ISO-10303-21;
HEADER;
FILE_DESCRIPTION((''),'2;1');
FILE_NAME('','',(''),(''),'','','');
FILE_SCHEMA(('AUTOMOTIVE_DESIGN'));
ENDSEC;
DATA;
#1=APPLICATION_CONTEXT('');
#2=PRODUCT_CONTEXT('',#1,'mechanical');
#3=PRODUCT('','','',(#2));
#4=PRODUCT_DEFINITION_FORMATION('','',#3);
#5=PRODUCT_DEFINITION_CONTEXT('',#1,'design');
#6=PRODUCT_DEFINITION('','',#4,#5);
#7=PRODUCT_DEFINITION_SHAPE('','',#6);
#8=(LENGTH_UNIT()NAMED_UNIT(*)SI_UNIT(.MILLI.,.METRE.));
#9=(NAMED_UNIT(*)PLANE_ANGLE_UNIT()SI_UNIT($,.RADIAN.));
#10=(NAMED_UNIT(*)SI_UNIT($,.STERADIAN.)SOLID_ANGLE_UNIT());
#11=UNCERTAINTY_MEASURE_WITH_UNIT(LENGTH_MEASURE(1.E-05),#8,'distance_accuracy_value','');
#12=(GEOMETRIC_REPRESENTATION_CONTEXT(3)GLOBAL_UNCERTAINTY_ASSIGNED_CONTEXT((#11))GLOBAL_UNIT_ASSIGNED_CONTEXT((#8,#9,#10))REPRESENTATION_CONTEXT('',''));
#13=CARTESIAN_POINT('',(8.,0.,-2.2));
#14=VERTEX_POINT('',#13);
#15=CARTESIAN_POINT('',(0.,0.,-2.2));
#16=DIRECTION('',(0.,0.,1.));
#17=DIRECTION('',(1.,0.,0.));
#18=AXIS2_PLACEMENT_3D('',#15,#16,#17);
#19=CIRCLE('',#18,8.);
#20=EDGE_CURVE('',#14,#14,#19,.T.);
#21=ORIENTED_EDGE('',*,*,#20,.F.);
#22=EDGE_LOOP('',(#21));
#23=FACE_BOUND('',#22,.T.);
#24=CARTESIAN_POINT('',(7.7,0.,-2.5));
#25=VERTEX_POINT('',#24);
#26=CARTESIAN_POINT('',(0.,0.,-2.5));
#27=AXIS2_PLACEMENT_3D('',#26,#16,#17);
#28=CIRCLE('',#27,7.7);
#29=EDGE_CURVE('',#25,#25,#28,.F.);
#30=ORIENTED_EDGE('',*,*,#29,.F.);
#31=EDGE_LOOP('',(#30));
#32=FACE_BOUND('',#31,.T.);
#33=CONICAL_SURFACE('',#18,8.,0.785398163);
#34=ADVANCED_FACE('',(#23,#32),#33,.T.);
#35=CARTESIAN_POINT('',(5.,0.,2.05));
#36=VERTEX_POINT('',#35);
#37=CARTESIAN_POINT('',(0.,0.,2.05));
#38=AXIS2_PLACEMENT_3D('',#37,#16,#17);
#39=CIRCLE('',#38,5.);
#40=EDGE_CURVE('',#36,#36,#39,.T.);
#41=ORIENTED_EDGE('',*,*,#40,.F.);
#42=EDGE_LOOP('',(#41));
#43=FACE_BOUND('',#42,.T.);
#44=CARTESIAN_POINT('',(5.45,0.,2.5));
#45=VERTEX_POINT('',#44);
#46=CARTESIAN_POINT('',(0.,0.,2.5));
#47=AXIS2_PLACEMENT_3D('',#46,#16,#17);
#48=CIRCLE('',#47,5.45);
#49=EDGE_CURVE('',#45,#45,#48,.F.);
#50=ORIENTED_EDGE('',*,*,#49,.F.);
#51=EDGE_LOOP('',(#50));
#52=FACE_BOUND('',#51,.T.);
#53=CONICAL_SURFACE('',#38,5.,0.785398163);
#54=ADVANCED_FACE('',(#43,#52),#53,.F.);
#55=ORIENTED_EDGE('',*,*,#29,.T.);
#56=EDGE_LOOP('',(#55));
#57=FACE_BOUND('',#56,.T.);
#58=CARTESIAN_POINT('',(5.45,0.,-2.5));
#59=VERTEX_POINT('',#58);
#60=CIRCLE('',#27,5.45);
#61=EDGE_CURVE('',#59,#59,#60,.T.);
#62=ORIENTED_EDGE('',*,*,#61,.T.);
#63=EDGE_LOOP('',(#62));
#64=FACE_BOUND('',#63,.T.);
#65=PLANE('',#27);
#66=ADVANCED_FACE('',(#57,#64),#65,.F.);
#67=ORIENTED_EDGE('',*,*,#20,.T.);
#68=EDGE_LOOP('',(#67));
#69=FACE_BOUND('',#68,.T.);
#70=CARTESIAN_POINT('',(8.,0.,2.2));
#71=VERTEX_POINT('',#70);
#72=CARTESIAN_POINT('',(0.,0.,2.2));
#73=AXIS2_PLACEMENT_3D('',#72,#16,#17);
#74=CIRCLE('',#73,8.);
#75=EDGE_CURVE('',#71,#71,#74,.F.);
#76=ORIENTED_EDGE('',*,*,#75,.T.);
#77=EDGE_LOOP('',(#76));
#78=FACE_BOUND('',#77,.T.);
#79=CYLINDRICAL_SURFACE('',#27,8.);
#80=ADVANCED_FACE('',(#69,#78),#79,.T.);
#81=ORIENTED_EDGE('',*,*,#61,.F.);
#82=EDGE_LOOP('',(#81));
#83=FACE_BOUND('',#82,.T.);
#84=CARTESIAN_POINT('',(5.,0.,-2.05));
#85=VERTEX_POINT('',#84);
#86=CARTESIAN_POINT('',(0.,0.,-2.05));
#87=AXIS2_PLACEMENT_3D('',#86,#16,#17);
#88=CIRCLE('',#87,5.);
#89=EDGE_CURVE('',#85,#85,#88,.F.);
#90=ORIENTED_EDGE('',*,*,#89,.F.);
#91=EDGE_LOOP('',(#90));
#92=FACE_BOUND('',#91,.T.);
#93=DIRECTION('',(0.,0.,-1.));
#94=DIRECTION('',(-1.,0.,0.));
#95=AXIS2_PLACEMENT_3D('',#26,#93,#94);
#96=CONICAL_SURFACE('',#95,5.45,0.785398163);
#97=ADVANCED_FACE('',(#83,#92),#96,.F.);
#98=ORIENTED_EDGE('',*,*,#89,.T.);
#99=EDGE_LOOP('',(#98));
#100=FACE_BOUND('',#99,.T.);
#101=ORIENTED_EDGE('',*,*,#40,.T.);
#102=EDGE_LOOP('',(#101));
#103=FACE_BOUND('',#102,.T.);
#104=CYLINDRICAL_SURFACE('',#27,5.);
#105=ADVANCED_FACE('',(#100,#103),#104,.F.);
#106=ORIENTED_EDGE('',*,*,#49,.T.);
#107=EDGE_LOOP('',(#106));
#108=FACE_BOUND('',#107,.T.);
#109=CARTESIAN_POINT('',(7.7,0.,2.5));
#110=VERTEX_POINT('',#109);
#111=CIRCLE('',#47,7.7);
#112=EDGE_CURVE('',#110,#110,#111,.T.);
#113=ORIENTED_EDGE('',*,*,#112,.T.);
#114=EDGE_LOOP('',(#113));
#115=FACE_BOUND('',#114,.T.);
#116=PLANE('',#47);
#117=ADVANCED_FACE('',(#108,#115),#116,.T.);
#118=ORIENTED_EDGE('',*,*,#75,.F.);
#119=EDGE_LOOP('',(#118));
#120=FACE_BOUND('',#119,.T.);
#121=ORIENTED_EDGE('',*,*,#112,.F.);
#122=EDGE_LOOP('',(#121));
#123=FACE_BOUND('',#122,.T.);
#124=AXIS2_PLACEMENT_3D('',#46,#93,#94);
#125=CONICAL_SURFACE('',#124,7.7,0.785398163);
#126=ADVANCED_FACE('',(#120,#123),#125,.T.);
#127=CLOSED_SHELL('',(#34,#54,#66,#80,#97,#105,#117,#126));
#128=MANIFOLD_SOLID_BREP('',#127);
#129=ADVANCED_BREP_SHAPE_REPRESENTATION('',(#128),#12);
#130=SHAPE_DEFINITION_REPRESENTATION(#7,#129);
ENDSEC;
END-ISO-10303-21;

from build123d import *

# Parameters (mm, degrees)
BOSS_EXTRUDE1_DEPTH      = 2.5
BOSS_EXTRUDE1_DEPTH_BACK = 2.5
SKETCH3_R                = 8
SKETCH3_R_2              = 5
CHAMFER1_SIZE            = 0.3
CHAMFER2_SIZE            = 0.45


with BuildPart() as part:
    # Sketch3 → Boss-Extrude1 (new, two sides: drawn at the far end of the back side and taken through both)
    with BuildSketch(Plane.XY.offset(-BOSS_EXTRUDE1_DEPTH_BACK)):
        Circle(SKETCH3_R)
        Circle(SKETCH3_R_2, mode=Mode.SUBTRACT)
    extrude(amount=BOSS_EXTRUDE1_DEPTH + BOSS_EXTRUDE1_DEPTH_BACK)

    # Chamfer1
    chamfer1_edges = [part.edges().sort_by_distance(p)[0] for p in [
        (-8, 0, -2.5),
        (-8, 0, 2.5),
    ]]
    chamfer(chamfer1_edges, length=CHAMFER1_SIZE)

    # Chamfer2
    chamfer2_edges = [part.edges().sort_by_distance(p)[0] for p in [
        (-5, 0, -2.5),
        (-5, 0, 2.5),
    ]]
    chamfer(chamfer2_edges, length=CHAMFER2_SIZE)


solid = part.part
